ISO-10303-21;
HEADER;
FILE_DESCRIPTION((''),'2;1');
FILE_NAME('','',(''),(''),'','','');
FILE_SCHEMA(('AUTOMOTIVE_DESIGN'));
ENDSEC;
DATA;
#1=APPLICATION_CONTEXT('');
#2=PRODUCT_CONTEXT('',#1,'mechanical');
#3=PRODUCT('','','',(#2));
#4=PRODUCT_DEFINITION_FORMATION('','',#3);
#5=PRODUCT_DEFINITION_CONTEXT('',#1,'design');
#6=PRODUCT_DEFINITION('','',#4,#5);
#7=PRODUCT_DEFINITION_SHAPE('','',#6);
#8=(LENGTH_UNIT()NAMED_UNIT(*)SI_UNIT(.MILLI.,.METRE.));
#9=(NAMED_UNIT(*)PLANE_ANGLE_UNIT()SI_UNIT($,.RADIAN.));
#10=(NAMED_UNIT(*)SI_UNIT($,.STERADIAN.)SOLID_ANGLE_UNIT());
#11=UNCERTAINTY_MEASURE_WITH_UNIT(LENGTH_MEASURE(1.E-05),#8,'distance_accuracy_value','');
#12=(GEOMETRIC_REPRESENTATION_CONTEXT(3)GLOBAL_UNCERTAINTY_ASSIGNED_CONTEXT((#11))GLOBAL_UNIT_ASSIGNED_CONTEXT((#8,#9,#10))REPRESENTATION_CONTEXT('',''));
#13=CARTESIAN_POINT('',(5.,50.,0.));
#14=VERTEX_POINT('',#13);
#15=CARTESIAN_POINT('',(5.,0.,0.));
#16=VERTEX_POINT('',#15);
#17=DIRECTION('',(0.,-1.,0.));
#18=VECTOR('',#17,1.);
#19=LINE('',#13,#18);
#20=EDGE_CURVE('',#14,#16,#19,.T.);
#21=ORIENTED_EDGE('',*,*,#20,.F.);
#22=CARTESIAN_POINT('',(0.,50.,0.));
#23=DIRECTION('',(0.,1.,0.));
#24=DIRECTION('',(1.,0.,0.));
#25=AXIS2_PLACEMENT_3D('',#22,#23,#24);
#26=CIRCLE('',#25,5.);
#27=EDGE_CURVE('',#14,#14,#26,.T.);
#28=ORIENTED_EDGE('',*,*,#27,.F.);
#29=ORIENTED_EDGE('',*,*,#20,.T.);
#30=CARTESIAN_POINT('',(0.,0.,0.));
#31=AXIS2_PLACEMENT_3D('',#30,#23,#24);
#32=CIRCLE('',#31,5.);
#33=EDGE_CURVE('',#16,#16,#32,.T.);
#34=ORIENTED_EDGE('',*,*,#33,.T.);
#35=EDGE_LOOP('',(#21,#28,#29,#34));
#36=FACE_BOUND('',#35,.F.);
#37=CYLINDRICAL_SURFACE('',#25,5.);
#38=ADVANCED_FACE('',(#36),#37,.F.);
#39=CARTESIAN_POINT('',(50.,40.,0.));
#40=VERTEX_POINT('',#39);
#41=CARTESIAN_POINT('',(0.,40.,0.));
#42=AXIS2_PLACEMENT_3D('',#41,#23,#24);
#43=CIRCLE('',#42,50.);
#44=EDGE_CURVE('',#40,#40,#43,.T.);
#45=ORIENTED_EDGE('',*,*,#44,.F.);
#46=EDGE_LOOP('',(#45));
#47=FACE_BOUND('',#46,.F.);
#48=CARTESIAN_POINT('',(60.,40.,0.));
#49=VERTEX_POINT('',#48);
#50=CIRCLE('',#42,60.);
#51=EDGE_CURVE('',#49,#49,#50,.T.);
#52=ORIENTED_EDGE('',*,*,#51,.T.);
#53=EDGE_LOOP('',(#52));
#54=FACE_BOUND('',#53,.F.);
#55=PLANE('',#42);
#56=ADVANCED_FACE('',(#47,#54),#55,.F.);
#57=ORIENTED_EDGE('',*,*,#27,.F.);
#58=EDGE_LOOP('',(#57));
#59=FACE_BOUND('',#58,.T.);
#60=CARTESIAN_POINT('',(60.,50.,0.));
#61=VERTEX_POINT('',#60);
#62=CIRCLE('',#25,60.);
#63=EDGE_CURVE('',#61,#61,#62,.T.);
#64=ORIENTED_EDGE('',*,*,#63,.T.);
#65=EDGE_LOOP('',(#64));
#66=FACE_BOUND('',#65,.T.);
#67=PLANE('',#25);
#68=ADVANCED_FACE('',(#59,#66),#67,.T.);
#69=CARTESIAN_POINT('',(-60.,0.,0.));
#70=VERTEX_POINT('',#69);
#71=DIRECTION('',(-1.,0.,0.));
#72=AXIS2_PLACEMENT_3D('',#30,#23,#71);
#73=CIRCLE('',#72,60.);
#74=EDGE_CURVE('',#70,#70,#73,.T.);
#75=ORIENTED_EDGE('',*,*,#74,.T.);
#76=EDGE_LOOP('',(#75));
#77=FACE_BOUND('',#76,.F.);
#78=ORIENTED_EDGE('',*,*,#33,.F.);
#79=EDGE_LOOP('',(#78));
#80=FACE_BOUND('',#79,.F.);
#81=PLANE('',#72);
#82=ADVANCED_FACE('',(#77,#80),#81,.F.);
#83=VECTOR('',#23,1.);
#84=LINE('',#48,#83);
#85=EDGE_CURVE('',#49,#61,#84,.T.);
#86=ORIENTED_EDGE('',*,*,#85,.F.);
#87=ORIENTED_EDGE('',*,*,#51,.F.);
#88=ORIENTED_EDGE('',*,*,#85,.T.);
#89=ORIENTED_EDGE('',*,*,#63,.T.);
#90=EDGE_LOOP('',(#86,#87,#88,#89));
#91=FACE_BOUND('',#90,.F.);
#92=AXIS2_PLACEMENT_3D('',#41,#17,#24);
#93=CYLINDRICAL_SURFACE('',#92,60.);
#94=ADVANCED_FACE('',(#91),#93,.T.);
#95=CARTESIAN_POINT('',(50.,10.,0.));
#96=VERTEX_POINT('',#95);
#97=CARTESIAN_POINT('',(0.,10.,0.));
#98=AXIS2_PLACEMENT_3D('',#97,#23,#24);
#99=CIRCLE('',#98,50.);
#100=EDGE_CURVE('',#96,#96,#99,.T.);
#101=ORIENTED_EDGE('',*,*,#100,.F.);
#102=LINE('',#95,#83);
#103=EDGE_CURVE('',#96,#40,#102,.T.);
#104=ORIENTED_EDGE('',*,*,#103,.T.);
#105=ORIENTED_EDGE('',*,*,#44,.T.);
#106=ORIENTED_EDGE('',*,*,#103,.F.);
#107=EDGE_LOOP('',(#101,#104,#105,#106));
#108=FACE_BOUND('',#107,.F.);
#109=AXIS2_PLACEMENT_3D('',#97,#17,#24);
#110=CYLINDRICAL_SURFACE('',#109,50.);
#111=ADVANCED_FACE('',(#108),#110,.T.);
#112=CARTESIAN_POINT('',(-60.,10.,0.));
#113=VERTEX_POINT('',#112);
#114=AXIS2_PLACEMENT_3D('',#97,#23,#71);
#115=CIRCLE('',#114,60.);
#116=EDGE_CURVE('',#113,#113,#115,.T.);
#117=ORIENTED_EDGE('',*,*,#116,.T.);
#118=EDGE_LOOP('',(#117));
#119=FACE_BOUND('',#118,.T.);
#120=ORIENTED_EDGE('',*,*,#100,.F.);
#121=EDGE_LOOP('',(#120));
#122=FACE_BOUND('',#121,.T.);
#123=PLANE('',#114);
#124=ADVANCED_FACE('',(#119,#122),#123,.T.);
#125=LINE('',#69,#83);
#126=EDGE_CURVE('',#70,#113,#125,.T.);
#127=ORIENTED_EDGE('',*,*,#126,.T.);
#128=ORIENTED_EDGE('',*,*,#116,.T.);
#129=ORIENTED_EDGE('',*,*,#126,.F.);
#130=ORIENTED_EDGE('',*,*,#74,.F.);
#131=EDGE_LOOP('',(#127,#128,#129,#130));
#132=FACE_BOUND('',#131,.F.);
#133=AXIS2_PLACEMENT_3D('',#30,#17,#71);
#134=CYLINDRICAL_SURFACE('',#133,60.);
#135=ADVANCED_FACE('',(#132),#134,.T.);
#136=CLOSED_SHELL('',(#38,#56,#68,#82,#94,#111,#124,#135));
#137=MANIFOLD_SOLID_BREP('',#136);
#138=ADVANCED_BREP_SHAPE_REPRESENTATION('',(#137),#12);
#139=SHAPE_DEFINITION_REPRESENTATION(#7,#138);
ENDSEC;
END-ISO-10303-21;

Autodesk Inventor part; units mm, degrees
ref_plane "YZ Plane" through (0, 0, 0) normal (1, 0, 0) x (0, 1, 0)
ref_plane "XZ Plane" through (0, 0, 0) normal (0, 1, 0) x (-1, 0, 0)
ref_plane "XY Plane" through (0, 0, 0) normal (0, 0, 1) x (1, 0, 0)
sketch "Sketch1" plane through (0, 0, 0) normal (0, 1, 0) x (-1, 0, 0)
  circle A0 centre (0, 0) radius 60
  dimension "d0" = 120
extrude "Extrusion1" add sketch "Sketch1" along normal blind 10
sketch "Sketch2" plane through (0, 10, 0) normal (0, 1, 0) x (1, 0, 0)
  circle A0 centre (0, 0) radius 50
  dimension "d3" = 100
extrude "Extrusion2" add sketch "Sketch2" along normal blind 30
sketch "Sketch3" plane through (0, 40, 0) normal (0, 1, 0) x (1, 0, 0)
  circle A0 centre (0, 0) radius 60
  circle A1 centre (0, 0) radius 5
  dimension "d6" = 120
  dimension "d9" = 10
extrude "Extrusion3" add sketch "Sketch3" along normal blind 10 contours A0 | A1
sketch "Sketch5" plane through (0, 50, 0) normal (0, 1, 0) x (1, 0, 0)
  circle A0 centre (0, 0) radius 5
  dimension "d10" = 10
extrude "Extrusion4" cut sketch "Sketch5" against normal through all
properties part number "drivepulley"
